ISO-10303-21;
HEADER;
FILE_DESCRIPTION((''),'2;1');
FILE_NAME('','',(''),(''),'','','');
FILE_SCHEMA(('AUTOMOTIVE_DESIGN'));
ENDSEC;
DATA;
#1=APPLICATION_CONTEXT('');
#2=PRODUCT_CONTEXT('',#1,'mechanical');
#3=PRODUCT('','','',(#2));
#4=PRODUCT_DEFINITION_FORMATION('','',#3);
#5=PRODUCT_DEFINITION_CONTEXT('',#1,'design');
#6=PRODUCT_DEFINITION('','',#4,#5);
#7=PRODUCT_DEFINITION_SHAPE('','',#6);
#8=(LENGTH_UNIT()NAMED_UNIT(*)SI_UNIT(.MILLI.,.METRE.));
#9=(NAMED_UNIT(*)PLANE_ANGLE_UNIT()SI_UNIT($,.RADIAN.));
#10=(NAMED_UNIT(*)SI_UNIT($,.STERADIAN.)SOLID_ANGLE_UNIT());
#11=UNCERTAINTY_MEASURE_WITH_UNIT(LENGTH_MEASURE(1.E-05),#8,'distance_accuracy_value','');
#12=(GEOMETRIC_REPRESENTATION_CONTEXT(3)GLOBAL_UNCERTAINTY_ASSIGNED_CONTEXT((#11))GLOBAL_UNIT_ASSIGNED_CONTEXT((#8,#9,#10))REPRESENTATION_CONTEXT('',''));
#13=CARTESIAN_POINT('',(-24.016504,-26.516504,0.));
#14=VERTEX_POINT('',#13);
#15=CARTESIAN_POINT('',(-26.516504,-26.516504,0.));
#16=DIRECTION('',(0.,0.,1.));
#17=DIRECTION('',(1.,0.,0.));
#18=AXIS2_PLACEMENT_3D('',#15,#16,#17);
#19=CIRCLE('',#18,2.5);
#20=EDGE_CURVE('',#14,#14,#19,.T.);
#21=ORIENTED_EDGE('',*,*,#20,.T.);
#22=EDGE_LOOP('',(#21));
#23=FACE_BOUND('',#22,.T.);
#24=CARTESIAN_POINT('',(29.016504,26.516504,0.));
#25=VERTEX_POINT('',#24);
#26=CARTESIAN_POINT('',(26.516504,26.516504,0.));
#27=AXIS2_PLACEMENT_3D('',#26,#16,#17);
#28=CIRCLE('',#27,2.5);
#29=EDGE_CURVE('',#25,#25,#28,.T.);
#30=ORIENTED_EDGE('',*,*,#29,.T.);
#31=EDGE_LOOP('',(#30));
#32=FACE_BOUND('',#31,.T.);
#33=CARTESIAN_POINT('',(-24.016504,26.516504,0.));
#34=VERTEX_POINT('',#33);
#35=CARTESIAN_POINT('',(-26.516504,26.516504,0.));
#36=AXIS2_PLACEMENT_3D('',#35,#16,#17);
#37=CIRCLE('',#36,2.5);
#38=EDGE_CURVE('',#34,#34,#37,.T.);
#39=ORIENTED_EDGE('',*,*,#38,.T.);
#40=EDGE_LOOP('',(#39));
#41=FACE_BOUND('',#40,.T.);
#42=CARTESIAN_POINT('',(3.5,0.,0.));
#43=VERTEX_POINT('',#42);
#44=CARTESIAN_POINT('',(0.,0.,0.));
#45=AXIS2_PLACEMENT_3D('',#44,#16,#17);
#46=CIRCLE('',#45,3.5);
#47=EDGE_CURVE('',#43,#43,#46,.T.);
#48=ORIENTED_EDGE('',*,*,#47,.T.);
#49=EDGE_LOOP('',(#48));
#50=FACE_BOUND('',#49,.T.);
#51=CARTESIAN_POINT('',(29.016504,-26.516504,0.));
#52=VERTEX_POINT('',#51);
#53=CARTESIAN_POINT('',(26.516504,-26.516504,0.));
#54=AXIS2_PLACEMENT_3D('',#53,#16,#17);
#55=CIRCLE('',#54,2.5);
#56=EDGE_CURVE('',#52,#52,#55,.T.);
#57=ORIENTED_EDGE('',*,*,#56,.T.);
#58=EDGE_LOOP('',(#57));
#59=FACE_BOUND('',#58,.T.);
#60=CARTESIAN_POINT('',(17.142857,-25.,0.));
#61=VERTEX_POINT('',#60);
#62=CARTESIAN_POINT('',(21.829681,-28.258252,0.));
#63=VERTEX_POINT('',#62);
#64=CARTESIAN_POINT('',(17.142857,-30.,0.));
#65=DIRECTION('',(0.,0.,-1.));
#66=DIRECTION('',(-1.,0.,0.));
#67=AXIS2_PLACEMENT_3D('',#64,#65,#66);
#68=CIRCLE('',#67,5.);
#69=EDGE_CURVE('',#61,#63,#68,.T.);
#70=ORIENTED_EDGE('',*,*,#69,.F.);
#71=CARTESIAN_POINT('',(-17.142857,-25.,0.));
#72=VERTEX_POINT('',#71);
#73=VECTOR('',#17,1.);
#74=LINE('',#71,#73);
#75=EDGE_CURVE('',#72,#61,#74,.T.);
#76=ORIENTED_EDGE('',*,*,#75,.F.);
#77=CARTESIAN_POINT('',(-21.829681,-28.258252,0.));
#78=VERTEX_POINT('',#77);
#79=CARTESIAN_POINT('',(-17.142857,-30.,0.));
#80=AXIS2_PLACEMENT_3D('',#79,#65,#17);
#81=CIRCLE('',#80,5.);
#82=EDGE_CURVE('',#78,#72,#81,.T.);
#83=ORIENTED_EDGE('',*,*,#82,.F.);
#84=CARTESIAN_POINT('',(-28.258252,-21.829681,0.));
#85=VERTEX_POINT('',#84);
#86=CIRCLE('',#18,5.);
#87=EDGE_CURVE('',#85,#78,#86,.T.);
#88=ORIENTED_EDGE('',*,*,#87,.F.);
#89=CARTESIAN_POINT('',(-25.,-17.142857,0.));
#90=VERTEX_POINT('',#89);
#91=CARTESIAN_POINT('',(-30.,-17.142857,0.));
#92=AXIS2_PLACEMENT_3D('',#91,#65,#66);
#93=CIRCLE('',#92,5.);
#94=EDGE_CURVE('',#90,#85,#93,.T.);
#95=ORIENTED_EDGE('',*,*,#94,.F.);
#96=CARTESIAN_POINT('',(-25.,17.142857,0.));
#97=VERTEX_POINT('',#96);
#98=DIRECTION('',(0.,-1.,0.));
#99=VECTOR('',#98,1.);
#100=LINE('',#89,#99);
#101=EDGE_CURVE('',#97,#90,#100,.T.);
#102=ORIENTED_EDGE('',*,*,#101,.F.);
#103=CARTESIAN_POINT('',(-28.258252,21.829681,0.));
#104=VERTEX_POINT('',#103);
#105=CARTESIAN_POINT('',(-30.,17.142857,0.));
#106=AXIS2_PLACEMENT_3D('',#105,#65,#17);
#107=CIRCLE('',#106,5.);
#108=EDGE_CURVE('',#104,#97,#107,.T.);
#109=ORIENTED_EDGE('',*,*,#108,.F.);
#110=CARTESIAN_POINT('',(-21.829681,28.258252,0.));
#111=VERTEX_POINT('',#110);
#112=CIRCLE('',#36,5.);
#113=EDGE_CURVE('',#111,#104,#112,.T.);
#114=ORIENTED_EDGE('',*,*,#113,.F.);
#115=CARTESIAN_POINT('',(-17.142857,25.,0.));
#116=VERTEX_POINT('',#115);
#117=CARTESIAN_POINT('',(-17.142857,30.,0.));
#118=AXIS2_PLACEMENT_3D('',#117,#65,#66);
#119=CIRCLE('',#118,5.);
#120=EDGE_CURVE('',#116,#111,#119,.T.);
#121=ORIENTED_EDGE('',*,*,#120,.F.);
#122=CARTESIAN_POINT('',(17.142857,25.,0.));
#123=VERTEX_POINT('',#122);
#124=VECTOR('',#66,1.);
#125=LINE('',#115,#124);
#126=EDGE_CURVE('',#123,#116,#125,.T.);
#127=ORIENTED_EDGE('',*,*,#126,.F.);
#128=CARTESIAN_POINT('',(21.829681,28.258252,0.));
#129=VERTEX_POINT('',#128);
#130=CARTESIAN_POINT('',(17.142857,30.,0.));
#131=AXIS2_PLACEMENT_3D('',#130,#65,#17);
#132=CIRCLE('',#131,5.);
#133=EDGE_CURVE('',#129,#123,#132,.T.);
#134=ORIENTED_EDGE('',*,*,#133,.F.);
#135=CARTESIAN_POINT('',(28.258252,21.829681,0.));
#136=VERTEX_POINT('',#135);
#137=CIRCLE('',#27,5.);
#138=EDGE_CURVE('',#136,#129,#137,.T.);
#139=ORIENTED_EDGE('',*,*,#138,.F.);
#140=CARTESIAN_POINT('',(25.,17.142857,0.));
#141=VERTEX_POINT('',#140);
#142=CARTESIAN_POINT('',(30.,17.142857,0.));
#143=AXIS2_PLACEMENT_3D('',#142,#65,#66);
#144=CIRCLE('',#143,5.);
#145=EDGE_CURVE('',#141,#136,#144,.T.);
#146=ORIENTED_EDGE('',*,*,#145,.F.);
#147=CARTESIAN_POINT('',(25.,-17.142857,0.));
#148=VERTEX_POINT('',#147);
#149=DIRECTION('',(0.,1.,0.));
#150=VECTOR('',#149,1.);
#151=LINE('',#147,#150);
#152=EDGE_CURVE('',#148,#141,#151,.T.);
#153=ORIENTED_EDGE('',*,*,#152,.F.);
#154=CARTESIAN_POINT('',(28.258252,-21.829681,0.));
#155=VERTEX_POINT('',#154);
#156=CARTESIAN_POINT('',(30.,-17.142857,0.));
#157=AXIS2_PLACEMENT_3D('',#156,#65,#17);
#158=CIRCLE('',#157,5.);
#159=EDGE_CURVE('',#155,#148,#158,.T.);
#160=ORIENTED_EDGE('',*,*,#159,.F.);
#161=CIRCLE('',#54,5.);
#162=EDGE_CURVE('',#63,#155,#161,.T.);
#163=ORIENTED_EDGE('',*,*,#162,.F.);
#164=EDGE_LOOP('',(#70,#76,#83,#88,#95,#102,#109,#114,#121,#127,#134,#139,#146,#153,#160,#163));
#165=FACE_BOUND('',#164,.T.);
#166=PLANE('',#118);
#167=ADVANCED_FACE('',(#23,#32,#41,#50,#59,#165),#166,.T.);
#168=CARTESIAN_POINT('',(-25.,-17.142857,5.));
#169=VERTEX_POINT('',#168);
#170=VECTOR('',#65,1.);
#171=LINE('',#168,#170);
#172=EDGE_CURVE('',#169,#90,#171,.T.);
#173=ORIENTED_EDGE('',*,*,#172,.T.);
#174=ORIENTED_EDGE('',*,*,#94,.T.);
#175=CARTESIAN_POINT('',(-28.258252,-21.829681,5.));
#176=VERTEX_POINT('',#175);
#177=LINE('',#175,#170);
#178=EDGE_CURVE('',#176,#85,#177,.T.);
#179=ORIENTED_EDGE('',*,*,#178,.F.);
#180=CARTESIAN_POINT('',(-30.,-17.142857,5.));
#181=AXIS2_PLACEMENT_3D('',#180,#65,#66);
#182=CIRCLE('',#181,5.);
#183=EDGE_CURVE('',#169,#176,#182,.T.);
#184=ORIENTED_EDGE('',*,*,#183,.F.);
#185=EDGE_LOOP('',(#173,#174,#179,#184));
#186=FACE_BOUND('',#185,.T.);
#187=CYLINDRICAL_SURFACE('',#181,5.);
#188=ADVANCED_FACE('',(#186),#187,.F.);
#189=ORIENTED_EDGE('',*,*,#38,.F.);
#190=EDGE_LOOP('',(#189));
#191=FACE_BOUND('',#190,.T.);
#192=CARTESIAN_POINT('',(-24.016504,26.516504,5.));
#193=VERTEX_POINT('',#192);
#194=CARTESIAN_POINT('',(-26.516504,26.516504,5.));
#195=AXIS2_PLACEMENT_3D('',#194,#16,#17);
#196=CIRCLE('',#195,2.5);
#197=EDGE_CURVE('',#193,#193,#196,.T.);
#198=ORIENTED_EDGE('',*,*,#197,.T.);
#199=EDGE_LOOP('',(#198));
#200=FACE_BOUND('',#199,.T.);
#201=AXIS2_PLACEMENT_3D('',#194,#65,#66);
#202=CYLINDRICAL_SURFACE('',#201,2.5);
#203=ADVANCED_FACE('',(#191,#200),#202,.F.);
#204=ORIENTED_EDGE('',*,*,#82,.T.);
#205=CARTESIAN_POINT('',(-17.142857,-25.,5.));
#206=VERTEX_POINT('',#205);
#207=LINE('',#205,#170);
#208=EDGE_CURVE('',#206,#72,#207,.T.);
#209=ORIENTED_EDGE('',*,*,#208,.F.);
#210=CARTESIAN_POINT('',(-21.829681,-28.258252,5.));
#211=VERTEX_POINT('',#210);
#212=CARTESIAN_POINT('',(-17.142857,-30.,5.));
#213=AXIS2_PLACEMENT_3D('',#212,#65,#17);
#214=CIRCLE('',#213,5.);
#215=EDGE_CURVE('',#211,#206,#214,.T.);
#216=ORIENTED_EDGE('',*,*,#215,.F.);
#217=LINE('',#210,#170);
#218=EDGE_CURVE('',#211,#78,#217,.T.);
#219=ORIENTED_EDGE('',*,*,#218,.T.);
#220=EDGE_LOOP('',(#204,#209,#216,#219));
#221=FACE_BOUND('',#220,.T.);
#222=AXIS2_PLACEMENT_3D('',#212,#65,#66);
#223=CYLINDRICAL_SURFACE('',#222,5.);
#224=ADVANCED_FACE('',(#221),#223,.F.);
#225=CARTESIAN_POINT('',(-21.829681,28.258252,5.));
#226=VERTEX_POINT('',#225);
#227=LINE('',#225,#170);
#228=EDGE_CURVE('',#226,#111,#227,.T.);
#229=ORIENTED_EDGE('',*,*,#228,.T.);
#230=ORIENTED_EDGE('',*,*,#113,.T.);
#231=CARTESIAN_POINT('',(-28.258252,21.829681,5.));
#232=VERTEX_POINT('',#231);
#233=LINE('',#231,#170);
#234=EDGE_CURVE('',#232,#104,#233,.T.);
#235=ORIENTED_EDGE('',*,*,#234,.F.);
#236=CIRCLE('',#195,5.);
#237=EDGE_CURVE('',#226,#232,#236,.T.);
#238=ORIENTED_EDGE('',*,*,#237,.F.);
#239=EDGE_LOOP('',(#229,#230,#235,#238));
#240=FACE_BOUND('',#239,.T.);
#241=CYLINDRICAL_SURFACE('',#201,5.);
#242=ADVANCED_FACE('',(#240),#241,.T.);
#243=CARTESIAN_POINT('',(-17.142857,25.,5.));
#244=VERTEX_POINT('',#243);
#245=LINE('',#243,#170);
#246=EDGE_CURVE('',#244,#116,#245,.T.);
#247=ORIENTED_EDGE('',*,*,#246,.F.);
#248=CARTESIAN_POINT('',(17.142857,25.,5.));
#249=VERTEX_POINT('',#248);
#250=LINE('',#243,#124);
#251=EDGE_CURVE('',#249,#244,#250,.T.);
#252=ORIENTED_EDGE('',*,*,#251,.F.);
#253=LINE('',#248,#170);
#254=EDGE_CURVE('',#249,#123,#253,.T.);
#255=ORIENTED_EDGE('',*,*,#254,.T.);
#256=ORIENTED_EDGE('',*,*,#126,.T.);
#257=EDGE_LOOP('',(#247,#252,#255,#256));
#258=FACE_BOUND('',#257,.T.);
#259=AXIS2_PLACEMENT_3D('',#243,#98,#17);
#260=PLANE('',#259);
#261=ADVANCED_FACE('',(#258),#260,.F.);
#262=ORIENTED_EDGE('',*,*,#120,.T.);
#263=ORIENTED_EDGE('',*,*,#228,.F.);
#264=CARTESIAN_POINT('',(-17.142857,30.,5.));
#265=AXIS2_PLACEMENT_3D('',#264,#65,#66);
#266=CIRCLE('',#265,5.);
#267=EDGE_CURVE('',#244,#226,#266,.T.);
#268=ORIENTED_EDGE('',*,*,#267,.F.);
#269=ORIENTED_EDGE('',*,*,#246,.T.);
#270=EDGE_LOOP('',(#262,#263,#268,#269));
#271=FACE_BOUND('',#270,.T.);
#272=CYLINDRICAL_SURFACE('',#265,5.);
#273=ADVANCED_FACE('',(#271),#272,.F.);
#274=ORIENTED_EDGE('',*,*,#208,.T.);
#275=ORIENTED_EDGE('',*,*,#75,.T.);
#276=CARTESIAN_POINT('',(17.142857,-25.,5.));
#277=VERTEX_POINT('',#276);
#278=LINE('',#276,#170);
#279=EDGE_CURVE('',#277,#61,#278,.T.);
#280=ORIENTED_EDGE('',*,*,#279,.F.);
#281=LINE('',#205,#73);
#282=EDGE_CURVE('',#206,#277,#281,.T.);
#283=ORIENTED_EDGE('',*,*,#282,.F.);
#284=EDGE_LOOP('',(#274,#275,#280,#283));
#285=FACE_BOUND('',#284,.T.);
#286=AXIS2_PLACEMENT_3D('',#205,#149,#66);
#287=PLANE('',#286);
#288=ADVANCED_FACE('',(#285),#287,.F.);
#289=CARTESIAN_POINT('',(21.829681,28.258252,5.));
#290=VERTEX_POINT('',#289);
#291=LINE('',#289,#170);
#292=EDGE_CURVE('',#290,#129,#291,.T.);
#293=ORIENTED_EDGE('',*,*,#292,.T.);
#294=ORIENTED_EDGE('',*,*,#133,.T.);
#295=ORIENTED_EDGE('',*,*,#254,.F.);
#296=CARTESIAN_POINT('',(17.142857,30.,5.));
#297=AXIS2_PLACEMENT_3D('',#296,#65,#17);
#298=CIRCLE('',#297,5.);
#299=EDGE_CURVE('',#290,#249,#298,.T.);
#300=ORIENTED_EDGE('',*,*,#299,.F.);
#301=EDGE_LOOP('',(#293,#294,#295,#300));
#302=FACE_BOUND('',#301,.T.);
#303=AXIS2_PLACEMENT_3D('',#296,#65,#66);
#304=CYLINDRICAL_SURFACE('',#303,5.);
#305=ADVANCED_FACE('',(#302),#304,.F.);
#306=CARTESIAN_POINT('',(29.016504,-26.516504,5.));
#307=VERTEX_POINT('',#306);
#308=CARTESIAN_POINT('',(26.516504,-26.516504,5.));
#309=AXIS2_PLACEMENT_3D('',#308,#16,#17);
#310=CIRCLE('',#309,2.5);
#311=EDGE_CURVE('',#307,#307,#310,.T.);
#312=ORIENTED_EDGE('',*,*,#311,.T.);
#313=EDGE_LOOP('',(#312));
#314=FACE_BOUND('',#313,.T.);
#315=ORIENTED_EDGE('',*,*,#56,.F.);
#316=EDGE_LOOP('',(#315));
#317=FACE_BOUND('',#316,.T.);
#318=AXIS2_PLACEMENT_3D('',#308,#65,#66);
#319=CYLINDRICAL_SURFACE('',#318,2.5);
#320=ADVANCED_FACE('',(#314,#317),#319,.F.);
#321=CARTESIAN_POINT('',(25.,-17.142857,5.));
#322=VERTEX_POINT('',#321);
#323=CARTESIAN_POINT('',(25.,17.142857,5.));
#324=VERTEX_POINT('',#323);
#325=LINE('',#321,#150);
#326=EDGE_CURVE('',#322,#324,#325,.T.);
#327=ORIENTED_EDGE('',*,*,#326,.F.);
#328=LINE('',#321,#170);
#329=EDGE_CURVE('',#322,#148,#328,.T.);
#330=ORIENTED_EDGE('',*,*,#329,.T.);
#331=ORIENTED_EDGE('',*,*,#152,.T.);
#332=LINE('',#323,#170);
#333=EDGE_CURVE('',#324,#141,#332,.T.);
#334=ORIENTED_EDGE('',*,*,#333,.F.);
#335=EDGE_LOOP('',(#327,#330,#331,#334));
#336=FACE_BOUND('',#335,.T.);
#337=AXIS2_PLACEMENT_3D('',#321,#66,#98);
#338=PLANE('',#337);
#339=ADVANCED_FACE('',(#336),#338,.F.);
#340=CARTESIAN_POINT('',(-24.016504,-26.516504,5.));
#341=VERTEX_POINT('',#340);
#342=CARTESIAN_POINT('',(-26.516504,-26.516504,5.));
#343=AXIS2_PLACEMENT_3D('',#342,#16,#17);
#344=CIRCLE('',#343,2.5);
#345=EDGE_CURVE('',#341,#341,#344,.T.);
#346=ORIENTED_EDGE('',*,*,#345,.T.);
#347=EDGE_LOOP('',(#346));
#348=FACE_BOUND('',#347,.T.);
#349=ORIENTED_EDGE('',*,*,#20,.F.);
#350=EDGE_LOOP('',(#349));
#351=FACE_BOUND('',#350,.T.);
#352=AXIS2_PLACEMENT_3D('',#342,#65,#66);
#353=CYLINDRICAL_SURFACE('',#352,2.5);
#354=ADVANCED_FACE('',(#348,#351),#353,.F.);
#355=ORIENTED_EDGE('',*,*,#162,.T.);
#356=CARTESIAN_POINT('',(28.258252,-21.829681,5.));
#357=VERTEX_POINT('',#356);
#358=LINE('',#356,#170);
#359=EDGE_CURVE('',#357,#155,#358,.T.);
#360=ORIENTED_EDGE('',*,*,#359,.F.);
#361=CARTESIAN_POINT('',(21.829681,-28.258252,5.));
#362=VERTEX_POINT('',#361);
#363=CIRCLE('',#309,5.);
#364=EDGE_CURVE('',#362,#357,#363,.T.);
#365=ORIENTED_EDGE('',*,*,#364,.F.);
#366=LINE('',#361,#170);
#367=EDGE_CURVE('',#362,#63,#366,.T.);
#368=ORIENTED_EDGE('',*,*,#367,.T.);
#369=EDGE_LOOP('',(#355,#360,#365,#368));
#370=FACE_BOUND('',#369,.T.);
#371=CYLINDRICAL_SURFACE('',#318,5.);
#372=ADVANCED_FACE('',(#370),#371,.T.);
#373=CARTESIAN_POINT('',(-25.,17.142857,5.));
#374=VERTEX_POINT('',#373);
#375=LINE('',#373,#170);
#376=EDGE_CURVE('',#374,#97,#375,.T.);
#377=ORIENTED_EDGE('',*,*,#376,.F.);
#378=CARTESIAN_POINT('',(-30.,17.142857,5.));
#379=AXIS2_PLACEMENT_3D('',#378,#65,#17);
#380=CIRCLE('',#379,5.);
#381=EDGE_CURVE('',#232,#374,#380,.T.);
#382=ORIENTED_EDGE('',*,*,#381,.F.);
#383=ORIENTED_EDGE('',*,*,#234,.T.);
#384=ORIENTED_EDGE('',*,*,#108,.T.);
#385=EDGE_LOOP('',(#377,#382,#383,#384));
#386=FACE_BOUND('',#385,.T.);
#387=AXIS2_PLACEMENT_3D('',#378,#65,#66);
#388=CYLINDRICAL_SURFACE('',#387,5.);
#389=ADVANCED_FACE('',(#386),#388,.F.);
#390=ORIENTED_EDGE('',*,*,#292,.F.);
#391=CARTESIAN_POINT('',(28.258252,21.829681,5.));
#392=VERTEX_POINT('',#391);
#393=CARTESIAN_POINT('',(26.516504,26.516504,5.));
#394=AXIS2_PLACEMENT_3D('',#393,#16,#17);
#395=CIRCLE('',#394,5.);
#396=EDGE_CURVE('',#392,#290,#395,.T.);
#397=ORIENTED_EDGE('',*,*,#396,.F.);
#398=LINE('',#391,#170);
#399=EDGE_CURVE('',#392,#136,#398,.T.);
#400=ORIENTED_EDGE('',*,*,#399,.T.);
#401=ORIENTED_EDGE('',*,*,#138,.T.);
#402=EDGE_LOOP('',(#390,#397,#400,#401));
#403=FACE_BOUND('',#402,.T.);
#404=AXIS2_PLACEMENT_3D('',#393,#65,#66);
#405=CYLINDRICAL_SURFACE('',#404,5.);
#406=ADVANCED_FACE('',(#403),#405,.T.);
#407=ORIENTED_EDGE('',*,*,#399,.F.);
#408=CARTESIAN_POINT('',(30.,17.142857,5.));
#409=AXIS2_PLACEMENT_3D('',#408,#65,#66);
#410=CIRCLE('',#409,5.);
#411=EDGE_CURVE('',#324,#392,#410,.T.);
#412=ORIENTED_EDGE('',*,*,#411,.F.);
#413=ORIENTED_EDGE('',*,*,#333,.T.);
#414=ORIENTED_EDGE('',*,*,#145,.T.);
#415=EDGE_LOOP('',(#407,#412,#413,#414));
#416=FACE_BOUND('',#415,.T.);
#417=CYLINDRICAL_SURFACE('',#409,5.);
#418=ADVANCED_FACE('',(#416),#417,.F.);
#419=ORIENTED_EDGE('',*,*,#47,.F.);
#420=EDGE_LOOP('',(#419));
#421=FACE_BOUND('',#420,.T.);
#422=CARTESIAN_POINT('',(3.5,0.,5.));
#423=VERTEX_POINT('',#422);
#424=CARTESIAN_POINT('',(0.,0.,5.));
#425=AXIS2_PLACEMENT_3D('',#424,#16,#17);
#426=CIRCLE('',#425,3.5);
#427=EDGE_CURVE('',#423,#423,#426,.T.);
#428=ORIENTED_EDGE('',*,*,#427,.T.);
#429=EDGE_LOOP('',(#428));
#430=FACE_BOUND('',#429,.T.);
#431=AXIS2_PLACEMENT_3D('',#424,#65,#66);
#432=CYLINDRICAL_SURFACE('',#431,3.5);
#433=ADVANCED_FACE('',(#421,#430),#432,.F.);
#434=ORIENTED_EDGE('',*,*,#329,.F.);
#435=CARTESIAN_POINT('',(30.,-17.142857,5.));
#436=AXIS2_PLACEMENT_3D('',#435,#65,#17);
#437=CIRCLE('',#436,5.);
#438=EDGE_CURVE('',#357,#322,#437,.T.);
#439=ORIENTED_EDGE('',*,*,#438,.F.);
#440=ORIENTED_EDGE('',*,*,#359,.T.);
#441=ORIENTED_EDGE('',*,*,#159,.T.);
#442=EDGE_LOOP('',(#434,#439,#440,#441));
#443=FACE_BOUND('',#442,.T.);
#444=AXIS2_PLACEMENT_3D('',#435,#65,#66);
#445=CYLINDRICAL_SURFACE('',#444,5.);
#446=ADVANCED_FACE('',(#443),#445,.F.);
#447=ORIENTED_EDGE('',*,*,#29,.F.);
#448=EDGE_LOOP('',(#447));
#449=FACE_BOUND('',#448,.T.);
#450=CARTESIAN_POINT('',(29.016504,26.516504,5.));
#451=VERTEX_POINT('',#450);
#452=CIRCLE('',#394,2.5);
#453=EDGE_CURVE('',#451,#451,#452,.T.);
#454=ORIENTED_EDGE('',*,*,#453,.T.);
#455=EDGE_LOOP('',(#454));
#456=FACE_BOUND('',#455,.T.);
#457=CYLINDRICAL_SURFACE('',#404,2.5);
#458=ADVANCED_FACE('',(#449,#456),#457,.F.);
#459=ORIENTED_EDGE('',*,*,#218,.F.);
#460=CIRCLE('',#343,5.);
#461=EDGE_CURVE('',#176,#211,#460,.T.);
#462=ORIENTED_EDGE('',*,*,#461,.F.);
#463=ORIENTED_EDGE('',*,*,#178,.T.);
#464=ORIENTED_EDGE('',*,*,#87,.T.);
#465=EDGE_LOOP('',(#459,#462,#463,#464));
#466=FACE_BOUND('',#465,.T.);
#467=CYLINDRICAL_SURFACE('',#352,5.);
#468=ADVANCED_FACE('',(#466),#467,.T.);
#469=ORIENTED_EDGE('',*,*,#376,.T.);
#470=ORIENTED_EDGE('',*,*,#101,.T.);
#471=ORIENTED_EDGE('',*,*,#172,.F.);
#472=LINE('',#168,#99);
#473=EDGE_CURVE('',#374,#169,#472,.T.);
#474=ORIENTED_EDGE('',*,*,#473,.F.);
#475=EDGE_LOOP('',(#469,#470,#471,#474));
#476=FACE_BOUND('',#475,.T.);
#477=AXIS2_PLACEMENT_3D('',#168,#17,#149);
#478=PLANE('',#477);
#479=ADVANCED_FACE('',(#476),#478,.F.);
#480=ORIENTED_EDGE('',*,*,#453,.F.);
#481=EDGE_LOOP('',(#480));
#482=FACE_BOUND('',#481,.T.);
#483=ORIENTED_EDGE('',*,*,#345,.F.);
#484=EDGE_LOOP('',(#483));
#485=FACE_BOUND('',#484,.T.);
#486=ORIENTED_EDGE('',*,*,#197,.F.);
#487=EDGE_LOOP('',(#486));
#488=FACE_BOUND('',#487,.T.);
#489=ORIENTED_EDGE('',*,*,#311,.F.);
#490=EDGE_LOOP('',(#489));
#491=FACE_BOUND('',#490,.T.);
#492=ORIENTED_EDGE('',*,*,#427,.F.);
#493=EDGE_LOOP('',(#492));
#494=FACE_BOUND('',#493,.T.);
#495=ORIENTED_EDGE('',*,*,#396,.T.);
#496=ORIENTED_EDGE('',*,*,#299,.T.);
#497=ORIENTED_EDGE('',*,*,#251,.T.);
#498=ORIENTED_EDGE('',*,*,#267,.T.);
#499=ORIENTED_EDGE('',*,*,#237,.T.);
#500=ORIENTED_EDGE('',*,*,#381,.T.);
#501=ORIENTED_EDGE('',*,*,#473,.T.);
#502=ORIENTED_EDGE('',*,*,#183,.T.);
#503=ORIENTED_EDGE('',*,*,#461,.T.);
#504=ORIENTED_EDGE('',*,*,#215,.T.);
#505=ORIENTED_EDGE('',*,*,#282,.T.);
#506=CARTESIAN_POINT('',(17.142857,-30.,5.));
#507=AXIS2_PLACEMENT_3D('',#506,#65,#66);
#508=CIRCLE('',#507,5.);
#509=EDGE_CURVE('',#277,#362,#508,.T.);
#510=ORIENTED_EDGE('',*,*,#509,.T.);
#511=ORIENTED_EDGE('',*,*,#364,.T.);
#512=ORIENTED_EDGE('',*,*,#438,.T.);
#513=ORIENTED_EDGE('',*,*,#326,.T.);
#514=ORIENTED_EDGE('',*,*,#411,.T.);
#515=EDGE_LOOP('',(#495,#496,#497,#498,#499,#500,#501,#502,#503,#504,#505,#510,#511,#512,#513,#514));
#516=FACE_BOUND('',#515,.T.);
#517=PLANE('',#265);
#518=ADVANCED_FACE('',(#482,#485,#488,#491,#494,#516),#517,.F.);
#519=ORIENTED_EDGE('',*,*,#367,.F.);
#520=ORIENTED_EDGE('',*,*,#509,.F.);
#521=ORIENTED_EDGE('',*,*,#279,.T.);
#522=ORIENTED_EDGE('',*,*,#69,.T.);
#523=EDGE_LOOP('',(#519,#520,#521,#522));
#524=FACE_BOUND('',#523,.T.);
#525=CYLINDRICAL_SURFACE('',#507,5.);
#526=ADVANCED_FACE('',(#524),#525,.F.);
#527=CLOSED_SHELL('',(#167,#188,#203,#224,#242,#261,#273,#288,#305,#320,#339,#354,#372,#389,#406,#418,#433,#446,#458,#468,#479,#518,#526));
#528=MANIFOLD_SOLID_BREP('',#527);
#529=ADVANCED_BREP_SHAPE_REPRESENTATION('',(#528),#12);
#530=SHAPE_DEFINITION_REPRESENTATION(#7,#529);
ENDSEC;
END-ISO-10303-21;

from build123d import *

# Parameters (mm, degrees)
SKETCH_1_R      = 3.5
SKETCH_1_R_2    = 2.5
EXTRUDE_1_DEPTH = 5


with BuildPart() as part:
    # Эскиз1 → Бобышка-Вытянуть1 (new body)
    with BuildSketch(Plane.XY):
        with BuildLine():
            Line((-17.142857316, -25), (17.142857316, -25))
            ThreePointArc((17.142857316, -25), (19.996912391, -25.894592635), (21.829680805, -28.258252147))
            ThreePointArc((21.829680805, -28.258252147), (30.0520382, -30.0520382), (28.258252147, -21.829680805))
            ThreePointArc((28.258252147, -21.829680805), (25.894592635, -19.996912391), (25, -17.142857316))
            Line((25, -17.142857316), (25, 17.142857316))
            ThreePointArc((25, 17.142857316), (25.894592635, 19.996912391), (28.258252147, 21.829680805))
            ThreePointArc((28.258252147, 21.829680805), (30.0520382, 30.0520382), (21.829680805, 28.258252147))
            ThreePointArc((21.829680805, 28.258252147), (19.996912391, 25.894592635), (17.142857316, 25))
            Line((17.142857316, 25), (-17.142857316, 25))
            ThreePointArc((-17.142857316, 25), (-19.996912391, 25.894592635), (-21.829680805, 28.258252147))
            ThreePointArc((-21.829680805, 28.258252147), (-30.0520382, 30.0520382), (-28.258252147, 21.829680805))
            ThreePointArc((-28.258252147, 21.829680805), (-25.894592635, 19.996912391), (-25, 17.142857316))
            Line((-25, 17.142857316), (-25, -17.142857316))
            ThreePointArc((-25, -17.142857316), (-25.894592635, -19.996912391), (-28.258252147, -21.829680805))
            ThreePointArc((-28.258252147, -21.829680805), (-30.0520382, -30.0520382), (-21.829680805, -28.258252147))
            ThreePointArc((-21.829680805, -28.258252147), (-19.996912391, -25.894592635), (-17.142857316, -25))
        make_face()
        Circle(SKETCH_1_R, mode=Mode.SUBTRACT)
        with Locations((-26.516504294, 26.516504295)):
            Circle(SKETCH_1_R_2, mode=Mode.SUBTRACT)
        with Locations((26.516504295, 26.516504294)):
            Circle(SKETCH_1_R_2, mode=Mode.SUBTRACT)
        with Locations((26.516504294, -26.516504295)):
            Circle(SKETCH_1_R_2, mode=Mode.SUBTRACT)
        with Locations((-26.516504295, -26.516504294)):
            Circle(SKETCH_1_R_2, mode=Mode.SUBTRACT)
    extrude(amount=EXTRUDE_1_DEPTH)


solid = part.part
